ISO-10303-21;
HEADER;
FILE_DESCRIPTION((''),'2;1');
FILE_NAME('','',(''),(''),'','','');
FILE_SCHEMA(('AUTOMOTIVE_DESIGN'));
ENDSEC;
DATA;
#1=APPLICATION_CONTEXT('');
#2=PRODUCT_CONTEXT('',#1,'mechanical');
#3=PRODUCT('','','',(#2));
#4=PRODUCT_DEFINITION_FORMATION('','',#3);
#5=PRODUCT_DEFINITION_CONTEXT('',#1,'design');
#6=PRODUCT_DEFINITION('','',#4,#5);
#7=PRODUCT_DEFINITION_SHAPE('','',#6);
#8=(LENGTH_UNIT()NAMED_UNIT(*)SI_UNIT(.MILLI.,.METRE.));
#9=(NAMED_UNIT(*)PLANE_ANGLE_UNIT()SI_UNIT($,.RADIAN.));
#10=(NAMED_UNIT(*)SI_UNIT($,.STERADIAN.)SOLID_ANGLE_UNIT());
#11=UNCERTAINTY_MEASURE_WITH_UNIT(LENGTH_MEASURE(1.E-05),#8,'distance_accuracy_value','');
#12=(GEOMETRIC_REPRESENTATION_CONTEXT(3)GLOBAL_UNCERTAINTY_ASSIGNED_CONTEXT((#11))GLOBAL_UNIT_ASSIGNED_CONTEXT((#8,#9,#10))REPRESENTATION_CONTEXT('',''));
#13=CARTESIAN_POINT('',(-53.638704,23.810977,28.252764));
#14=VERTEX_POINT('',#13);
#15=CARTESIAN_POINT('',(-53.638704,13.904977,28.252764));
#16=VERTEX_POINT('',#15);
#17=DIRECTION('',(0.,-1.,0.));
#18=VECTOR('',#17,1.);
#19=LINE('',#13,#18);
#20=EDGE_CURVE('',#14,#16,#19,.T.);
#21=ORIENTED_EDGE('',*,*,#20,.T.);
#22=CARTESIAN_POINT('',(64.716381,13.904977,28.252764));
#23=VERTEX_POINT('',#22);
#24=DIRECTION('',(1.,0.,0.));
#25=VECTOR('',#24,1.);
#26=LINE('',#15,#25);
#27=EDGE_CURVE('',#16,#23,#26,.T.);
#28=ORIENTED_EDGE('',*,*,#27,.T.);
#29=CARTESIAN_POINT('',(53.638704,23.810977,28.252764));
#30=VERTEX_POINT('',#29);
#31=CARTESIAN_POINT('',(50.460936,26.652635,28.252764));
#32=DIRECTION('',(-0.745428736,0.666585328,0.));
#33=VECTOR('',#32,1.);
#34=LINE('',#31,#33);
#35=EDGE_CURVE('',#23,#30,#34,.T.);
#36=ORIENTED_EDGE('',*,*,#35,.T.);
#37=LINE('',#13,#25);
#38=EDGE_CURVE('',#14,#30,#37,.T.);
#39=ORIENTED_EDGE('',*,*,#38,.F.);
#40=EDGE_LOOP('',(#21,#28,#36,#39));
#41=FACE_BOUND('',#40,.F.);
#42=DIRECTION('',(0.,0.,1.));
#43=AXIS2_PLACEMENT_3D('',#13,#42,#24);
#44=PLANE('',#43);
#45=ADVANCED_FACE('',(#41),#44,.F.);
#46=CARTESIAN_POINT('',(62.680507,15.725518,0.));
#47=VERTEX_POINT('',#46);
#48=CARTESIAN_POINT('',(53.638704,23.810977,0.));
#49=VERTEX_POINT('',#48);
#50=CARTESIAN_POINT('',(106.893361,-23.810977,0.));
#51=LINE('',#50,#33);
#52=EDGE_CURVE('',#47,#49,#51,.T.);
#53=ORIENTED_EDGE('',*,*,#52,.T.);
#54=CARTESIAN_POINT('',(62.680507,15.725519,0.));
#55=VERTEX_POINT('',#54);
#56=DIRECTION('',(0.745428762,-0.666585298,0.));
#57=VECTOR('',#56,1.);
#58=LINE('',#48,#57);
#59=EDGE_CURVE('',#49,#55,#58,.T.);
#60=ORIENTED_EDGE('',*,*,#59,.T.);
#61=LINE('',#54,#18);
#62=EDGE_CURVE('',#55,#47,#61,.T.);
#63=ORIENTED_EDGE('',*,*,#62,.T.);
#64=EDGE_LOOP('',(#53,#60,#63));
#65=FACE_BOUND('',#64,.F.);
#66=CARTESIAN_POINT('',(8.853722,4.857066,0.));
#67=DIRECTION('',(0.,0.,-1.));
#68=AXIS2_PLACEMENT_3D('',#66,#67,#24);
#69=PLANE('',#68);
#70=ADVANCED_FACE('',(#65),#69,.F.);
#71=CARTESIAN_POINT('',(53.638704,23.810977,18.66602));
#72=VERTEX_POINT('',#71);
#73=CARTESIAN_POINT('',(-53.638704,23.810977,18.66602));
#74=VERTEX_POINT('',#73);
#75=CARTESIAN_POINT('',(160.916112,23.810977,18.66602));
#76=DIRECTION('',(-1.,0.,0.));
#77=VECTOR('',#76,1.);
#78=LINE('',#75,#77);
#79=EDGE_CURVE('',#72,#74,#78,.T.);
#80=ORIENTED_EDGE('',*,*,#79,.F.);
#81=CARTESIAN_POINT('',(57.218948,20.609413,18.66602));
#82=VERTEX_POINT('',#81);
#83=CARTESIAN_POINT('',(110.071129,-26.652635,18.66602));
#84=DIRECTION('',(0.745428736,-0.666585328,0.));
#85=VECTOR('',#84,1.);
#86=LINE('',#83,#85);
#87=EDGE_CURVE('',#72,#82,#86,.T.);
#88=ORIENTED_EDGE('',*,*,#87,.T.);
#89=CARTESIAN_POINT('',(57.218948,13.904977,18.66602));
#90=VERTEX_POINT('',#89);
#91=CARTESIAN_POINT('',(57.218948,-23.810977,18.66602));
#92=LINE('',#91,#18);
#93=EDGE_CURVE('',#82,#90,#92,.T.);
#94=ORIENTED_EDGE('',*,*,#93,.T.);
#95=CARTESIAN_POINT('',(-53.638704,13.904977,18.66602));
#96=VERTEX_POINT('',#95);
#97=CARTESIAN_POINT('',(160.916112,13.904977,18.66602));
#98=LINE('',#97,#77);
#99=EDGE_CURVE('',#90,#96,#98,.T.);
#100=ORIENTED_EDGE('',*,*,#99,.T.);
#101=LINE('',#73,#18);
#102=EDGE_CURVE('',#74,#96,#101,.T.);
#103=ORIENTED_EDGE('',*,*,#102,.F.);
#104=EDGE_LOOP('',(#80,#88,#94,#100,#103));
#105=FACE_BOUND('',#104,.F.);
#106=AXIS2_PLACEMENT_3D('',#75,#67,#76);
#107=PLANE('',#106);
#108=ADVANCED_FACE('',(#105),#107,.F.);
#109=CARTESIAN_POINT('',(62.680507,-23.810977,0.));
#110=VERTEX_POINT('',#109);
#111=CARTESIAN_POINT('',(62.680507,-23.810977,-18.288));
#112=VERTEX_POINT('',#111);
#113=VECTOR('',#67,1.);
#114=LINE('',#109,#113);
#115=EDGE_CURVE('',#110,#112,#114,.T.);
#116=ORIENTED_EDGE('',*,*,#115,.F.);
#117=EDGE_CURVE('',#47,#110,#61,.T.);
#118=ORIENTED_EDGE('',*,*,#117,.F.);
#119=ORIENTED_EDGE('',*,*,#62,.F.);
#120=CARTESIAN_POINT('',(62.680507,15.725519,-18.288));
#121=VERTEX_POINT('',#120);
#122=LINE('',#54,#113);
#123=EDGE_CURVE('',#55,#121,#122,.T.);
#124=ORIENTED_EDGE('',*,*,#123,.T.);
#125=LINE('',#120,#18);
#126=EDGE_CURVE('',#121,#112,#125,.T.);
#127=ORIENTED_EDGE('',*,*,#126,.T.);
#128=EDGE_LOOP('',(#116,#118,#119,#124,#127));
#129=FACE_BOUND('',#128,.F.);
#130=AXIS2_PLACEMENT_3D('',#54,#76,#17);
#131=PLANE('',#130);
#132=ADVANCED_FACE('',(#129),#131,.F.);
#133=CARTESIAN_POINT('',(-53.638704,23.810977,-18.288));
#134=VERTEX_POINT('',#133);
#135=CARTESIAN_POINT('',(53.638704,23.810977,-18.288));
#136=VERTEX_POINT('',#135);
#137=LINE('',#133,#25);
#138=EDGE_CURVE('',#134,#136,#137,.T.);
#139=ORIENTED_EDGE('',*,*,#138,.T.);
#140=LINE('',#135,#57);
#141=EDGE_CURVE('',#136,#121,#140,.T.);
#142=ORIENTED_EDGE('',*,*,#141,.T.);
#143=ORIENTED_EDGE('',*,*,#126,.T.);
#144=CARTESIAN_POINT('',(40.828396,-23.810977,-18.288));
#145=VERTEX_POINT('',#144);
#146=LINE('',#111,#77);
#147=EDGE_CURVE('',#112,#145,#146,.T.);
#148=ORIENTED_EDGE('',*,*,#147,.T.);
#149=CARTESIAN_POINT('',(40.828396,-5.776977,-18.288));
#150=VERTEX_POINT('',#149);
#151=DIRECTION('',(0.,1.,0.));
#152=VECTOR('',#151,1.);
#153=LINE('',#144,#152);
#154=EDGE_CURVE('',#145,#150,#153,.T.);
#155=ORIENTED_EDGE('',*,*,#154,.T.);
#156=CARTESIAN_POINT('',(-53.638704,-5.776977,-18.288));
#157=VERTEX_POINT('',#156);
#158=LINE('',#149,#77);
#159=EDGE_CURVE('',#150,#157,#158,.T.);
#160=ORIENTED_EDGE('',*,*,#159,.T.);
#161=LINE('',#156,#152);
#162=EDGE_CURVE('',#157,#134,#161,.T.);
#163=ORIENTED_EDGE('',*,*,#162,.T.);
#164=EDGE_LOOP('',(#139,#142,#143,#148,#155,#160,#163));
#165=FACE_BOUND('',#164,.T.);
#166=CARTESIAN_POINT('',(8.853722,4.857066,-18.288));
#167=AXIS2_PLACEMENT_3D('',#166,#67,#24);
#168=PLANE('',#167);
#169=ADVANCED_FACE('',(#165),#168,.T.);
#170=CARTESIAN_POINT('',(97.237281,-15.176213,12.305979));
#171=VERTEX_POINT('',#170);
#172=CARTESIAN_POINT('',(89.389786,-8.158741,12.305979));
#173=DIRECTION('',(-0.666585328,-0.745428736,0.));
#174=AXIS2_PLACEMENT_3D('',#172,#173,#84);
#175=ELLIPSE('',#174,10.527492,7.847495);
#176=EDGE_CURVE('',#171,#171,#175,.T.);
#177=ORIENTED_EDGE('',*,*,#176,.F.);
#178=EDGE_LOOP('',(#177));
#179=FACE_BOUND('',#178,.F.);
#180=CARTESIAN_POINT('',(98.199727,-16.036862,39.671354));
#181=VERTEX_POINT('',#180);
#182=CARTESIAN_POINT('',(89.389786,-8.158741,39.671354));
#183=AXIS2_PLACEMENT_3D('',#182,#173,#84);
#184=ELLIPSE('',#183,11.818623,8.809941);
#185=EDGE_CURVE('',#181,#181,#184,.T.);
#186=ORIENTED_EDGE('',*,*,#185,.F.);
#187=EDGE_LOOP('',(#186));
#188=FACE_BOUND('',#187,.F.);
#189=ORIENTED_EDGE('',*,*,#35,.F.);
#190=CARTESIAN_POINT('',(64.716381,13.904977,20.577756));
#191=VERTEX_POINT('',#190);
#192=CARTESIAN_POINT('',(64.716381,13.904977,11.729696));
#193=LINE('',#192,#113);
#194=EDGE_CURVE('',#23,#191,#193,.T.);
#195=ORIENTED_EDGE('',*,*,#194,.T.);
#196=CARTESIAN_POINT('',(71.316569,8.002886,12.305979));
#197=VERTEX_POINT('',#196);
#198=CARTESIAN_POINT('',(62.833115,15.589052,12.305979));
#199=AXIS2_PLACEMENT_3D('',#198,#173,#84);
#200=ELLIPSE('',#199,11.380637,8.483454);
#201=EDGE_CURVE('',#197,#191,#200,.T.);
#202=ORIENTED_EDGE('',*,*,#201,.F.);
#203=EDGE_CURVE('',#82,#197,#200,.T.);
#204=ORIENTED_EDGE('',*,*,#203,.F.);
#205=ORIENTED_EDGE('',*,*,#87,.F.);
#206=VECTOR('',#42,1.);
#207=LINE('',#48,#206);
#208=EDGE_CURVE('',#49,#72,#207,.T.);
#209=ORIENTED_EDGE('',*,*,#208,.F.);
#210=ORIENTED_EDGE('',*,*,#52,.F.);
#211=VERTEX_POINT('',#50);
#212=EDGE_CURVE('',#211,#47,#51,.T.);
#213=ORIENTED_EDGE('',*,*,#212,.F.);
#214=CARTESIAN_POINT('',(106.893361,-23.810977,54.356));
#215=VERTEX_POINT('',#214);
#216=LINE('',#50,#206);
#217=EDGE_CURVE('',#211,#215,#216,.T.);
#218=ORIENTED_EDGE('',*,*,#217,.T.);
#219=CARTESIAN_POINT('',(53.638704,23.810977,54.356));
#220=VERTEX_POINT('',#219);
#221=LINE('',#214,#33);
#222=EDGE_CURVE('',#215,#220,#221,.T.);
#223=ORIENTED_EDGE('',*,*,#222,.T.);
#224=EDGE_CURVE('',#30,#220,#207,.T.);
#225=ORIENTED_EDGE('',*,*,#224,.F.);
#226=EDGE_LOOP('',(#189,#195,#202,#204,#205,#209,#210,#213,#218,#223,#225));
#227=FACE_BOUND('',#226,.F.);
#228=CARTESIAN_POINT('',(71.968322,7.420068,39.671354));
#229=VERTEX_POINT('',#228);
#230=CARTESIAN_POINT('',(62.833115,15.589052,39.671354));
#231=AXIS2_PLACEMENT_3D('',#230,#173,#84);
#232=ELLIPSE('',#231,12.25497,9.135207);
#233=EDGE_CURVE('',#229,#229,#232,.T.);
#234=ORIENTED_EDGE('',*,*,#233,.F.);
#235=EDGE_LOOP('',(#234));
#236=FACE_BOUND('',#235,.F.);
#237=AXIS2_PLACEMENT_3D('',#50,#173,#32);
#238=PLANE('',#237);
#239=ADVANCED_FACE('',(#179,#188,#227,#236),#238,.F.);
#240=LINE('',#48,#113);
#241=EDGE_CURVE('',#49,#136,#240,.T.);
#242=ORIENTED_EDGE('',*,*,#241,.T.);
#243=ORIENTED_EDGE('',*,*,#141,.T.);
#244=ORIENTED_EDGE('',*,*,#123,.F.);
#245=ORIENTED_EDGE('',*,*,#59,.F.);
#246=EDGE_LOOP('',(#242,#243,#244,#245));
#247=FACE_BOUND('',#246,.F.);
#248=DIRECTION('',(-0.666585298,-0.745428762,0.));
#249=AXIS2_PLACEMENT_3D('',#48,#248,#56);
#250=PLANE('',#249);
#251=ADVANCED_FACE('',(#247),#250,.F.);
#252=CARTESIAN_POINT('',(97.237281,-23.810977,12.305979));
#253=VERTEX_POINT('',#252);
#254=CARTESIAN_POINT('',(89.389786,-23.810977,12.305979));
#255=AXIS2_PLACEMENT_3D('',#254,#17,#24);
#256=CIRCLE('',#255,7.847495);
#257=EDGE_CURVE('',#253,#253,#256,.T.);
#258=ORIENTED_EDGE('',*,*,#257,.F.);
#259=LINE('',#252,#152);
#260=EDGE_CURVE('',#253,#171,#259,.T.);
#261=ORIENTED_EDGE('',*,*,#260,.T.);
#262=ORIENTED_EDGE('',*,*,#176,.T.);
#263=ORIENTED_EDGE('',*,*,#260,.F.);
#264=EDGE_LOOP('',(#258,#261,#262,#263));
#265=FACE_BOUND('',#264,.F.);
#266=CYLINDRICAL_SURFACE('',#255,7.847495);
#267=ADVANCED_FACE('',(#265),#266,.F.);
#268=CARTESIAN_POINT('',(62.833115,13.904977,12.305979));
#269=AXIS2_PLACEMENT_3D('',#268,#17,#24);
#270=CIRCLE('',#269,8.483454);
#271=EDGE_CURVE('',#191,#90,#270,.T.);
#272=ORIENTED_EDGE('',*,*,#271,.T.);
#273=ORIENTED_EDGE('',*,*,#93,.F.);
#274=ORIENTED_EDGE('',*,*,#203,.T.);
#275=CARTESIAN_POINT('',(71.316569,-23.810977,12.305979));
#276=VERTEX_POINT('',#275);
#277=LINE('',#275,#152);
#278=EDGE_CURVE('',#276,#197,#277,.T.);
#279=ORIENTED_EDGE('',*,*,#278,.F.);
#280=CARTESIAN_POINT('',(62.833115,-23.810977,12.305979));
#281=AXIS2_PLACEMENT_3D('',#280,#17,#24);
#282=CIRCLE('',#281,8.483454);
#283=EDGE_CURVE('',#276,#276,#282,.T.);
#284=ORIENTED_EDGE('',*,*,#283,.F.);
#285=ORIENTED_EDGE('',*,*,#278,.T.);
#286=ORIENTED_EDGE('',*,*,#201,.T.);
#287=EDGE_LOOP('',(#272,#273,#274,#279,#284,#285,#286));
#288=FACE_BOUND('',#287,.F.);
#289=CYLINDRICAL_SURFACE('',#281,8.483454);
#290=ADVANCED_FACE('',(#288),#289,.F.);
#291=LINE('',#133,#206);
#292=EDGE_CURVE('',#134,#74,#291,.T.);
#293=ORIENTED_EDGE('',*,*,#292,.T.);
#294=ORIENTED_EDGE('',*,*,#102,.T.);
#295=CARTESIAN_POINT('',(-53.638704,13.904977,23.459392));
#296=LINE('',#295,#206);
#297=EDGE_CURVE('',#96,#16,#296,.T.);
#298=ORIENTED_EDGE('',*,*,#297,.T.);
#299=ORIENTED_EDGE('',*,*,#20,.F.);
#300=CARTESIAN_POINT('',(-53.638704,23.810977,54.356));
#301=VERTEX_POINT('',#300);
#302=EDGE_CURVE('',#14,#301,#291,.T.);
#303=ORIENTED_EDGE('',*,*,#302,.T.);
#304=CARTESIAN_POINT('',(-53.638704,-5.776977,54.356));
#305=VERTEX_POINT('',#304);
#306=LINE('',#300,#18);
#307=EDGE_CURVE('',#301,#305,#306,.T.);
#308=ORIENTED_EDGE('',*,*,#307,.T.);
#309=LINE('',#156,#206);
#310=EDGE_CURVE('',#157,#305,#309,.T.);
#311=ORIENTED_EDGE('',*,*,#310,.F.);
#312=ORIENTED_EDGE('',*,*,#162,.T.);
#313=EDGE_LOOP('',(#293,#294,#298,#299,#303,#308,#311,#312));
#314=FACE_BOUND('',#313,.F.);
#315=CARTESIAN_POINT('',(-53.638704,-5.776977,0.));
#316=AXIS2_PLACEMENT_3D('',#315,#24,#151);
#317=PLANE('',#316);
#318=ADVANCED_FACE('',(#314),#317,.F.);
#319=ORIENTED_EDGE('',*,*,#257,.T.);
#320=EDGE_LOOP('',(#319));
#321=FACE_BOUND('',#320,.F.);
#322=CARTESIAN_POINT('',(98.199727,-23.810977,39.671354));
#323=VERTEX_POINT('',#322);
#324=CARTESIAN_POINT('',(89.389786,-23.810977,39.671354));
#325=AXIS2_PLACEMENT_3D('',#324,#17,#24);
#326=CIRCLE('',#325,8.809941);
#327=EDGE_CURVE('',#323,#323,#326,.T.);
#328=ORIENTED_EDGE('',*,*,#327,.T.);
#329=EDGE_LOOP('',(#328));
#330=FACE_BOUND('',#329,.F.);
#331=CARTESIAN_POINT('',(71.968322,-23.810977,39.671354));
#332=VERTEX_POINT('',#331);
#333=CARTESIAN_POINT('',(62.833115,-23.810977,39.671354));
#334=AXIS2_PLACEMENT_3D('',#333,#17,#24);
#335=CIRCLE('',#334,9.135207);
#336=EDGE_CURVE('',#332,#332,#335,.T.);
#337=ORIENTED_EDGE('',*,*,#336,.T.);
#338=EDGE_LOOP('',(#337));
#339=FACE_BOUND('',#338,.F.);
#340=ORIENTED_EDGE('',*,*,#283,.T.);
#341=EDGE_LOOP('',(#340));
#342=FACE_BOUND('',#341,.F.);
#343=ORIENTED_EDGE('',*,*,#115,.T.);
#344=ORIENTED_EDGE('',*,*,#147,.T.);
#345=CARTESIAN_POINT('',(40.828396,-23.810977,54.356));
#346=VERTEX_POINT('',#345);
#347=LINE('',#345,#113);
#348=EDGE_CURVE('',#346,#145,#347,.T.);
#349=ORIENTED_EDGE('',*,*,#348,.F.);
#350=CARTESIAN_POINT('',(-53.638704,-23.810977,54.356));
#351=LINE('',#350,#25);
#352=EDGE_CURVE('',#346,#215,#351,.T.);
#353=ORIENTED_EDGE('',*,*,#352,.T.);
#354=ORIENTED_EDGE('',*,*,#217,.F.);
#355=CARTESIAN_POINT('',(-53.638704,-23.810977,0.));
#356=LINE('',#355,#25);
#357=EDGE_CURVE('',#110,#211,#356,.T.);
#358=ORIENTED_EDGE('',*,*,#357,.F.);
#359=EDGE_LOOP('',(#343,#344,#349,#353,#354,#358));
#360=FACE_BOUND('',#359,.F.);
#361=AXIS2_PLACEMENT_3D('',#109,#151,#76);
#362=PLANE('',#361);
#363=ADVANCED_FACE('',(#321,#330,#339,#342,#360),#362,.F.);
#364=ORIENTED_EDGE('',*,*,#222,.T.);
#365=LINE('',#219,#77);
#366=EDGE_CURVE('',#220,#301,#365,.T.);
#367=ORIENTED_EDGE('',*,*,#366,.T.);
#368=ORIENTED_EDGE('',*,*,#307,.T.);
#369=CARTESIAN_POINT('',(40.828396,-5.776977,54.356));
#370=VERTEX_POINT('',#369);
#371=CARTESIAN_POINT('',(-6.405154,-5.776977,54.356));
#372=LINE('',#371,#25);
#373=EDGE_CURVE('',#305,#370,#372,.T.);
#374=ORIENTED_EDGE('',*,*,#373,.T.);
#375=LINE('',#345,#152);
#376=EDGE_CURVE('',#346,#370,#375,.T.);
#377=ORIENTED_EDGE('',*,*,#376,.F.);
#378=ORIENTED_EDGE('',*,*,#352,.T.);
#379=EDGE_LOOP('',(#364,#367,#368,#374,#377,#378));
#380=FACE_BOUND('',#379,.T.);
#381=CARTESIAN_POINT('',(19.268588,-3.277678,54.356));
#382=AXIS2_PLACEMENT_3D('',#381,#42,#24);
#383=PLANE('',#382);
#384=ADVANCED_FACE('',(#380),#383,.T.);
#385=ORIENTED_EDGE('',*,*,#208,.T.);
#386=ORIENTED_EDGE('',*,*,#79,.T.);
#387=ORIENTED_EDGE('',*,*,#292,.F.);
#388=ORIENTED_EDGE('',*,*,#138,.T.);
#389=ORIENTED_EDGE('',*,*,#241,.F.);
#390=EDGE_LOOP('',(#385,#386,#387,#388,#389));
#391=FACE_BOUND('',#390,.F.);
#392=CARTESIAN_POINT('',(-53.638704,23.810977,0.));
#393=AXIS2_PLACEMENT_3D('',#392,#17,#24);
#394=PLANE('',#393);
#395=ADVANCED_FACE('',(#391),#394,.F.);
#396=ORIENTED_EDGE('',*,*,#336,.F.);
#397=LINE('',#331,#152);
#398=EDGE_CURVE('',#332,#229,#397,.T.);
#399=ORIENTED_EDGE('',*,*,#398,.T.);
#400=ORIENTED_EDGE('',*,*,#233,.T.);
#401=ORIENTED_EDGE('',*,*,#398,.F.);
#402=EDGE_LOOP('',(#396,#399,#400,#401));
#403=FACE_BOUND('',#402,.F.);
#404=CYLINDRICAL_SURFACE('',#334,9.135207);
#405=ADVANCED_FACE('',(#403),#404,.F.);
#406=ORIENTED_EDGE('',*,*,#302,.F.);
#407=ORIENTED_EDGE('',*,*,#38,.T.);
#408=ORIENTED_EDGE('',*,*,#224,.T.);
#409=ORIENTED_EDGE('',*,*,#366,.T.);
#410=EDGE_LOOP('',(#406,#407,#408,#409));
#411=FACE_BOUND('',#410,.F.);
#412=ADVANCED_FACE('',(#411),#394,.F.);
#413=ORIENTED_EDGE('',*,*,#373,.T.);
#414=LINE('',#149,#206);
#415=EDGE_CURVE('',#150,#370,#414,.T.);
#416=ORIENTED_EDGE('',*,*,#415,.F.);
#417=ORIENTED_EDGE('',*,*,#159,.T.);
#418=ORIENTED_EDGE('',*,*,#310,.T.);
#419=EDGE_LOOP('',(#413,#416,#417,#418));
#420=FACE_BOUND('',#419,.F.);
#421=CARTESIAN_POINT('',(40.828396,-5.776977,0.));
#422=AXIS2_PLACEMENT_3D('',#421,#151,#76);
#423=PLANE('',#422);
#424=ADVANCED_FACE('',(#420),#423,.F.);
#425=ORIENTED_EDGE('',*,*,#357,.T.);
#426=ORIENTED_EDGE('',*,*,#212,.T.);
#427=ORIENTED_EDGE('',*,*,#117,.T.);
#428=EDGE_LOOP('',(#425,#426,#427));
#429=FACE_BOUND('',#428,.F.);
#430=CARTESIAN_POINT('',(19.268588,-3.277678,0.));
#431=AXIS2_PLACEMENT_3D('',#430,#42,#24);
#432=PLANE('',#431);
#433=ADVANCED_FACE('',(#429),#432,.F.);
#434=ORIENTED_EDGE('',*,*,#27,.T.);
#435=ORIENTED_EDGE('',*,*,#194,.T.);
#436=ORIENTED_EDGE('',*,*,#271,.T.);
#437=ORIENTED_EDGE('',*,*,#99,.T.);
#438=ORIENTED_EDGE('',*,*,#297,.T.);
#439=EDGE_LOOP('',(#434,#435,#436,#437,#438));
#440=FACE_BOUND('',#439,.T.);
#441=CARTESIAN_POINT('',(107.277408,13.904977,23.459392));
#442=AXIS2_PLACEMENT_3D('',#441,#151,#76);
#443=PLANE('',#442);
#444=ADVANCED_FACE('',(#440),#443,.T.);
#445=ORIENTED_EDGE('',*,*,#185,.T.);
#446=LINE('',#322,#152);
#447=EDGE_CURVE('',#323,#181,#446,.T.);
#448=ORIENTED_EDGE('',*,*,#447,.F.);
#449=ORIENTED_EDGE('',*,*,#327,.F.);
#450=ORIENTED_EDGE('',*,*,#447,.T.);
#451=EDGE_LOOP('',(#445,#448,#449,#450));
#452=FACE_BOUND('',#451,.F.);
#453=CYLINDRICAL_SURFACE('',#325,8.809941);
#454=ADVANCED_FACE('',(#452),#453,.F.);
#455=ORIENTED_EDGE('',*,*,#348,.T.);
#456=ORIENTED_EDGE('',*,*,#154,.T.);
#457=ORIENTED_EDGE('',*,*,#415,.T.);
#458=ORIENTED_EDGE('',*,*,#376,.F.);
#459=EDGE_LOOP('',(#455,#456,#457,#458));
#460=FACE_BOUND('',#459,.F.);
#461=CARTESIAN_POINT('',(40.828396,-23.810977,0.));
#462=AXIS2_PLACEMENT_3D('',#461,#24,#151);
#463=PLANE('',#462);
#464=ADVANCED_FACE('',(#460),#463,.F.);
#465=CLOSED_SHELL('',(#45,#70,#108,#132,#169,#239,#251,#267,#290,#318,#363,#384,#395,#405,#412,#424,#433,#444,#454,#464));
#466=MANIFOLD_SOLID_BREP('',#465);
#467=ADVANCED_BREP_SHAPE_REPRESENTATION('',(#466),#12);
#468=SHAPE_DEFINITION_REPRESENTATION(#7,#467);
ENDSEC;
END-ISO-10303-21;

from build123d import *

# Parameters (mm, degrees)
F1_DEPTH = 54.356
F2_W     = 94.4671
F2_H     = 54.356
F3_DEPTH = 18.034
F4_R     = 8.809941
F4_R_2   = 7.847495
F4_R_3   = 8.483454
F4_R_4   = 9.135207
F5_DEPTH = 191.262
F7_DEPTH = 18.288
F8_W     = 107.277408
F8_H     = 9.586744
F9_DEPTH = 9.906


with BuildPart() as f1:
    # F0 (on Top) → F1 (new body)
    with BuildSketch(Plane.XY):
        Polygon((53.638704, 23.810977), (-53.638704, 23.810977), (-53.638704, -23.810977), (53.638704, -23.810977), (106.893361, -23.810977), align=None)
    extrude(amount=F1_DEPTH)

    # F2 (on face) → F3 (cut)
    with BuildSketch(Plane.XZ.offset(23.810977)):
        with Locations((-6.405154, 27.178)):
            Rectangle(F2_W, F2_H)
    extrude(amount=-F3_DEPTH, mode=Mode.SUBTRACT)

    # F4 (on face) → F5 (cut)
    with BuildSketch(Plane.XZ.offset(23.810977)):
        with Locations((89.389786, 39.671354)):
            Circle(F4_R)
        with Locations((89.389786, 12.305979)):
            Circle(F4_R_2)
        with Locations((62.833115, 12.305979)):
            Circle(F4_R_3)
        with Locations((62.833115, 39.671354)):
            Circle(F4_R_4)
    extrude(amount=-F5_DEPTH, mode=Mode.SUBTRACT)

    # F6 (on face) → F7 (join)
    with BuildSketch(Plane(origin=(0, 0, 0), x_dir=(1, 0, 0), z_dir=(0, 0, -1))):
        Polygon((-53.638704, -23.810977), (53.638704, -23.810977), (62.680507, -15.725519), (62.680507, 23.810977), (40.828396, 23.810977), (40.828396, 5.776977), (-53.638704, 5.776977), align=None)
    extrude(amount=F7_DEPTH)

    # F8 (on face) → F9 (cut)
    with BuildSketch(Plane(origin=(0, 23.810977, 0), x_dir=(-1, 0, 0), z_dir=(0, 1, 0))):
        with Locations((-107.277408, 23.459392)):
            Rectangle(F8_W, F8_H)
        with Locations((0, 23.459392)):
            Rectangle(F8_W, F8_H)
    extrude(amount=-F9_DEPTH, mode=Mode.SUBTRACT)


solid = f1.part
